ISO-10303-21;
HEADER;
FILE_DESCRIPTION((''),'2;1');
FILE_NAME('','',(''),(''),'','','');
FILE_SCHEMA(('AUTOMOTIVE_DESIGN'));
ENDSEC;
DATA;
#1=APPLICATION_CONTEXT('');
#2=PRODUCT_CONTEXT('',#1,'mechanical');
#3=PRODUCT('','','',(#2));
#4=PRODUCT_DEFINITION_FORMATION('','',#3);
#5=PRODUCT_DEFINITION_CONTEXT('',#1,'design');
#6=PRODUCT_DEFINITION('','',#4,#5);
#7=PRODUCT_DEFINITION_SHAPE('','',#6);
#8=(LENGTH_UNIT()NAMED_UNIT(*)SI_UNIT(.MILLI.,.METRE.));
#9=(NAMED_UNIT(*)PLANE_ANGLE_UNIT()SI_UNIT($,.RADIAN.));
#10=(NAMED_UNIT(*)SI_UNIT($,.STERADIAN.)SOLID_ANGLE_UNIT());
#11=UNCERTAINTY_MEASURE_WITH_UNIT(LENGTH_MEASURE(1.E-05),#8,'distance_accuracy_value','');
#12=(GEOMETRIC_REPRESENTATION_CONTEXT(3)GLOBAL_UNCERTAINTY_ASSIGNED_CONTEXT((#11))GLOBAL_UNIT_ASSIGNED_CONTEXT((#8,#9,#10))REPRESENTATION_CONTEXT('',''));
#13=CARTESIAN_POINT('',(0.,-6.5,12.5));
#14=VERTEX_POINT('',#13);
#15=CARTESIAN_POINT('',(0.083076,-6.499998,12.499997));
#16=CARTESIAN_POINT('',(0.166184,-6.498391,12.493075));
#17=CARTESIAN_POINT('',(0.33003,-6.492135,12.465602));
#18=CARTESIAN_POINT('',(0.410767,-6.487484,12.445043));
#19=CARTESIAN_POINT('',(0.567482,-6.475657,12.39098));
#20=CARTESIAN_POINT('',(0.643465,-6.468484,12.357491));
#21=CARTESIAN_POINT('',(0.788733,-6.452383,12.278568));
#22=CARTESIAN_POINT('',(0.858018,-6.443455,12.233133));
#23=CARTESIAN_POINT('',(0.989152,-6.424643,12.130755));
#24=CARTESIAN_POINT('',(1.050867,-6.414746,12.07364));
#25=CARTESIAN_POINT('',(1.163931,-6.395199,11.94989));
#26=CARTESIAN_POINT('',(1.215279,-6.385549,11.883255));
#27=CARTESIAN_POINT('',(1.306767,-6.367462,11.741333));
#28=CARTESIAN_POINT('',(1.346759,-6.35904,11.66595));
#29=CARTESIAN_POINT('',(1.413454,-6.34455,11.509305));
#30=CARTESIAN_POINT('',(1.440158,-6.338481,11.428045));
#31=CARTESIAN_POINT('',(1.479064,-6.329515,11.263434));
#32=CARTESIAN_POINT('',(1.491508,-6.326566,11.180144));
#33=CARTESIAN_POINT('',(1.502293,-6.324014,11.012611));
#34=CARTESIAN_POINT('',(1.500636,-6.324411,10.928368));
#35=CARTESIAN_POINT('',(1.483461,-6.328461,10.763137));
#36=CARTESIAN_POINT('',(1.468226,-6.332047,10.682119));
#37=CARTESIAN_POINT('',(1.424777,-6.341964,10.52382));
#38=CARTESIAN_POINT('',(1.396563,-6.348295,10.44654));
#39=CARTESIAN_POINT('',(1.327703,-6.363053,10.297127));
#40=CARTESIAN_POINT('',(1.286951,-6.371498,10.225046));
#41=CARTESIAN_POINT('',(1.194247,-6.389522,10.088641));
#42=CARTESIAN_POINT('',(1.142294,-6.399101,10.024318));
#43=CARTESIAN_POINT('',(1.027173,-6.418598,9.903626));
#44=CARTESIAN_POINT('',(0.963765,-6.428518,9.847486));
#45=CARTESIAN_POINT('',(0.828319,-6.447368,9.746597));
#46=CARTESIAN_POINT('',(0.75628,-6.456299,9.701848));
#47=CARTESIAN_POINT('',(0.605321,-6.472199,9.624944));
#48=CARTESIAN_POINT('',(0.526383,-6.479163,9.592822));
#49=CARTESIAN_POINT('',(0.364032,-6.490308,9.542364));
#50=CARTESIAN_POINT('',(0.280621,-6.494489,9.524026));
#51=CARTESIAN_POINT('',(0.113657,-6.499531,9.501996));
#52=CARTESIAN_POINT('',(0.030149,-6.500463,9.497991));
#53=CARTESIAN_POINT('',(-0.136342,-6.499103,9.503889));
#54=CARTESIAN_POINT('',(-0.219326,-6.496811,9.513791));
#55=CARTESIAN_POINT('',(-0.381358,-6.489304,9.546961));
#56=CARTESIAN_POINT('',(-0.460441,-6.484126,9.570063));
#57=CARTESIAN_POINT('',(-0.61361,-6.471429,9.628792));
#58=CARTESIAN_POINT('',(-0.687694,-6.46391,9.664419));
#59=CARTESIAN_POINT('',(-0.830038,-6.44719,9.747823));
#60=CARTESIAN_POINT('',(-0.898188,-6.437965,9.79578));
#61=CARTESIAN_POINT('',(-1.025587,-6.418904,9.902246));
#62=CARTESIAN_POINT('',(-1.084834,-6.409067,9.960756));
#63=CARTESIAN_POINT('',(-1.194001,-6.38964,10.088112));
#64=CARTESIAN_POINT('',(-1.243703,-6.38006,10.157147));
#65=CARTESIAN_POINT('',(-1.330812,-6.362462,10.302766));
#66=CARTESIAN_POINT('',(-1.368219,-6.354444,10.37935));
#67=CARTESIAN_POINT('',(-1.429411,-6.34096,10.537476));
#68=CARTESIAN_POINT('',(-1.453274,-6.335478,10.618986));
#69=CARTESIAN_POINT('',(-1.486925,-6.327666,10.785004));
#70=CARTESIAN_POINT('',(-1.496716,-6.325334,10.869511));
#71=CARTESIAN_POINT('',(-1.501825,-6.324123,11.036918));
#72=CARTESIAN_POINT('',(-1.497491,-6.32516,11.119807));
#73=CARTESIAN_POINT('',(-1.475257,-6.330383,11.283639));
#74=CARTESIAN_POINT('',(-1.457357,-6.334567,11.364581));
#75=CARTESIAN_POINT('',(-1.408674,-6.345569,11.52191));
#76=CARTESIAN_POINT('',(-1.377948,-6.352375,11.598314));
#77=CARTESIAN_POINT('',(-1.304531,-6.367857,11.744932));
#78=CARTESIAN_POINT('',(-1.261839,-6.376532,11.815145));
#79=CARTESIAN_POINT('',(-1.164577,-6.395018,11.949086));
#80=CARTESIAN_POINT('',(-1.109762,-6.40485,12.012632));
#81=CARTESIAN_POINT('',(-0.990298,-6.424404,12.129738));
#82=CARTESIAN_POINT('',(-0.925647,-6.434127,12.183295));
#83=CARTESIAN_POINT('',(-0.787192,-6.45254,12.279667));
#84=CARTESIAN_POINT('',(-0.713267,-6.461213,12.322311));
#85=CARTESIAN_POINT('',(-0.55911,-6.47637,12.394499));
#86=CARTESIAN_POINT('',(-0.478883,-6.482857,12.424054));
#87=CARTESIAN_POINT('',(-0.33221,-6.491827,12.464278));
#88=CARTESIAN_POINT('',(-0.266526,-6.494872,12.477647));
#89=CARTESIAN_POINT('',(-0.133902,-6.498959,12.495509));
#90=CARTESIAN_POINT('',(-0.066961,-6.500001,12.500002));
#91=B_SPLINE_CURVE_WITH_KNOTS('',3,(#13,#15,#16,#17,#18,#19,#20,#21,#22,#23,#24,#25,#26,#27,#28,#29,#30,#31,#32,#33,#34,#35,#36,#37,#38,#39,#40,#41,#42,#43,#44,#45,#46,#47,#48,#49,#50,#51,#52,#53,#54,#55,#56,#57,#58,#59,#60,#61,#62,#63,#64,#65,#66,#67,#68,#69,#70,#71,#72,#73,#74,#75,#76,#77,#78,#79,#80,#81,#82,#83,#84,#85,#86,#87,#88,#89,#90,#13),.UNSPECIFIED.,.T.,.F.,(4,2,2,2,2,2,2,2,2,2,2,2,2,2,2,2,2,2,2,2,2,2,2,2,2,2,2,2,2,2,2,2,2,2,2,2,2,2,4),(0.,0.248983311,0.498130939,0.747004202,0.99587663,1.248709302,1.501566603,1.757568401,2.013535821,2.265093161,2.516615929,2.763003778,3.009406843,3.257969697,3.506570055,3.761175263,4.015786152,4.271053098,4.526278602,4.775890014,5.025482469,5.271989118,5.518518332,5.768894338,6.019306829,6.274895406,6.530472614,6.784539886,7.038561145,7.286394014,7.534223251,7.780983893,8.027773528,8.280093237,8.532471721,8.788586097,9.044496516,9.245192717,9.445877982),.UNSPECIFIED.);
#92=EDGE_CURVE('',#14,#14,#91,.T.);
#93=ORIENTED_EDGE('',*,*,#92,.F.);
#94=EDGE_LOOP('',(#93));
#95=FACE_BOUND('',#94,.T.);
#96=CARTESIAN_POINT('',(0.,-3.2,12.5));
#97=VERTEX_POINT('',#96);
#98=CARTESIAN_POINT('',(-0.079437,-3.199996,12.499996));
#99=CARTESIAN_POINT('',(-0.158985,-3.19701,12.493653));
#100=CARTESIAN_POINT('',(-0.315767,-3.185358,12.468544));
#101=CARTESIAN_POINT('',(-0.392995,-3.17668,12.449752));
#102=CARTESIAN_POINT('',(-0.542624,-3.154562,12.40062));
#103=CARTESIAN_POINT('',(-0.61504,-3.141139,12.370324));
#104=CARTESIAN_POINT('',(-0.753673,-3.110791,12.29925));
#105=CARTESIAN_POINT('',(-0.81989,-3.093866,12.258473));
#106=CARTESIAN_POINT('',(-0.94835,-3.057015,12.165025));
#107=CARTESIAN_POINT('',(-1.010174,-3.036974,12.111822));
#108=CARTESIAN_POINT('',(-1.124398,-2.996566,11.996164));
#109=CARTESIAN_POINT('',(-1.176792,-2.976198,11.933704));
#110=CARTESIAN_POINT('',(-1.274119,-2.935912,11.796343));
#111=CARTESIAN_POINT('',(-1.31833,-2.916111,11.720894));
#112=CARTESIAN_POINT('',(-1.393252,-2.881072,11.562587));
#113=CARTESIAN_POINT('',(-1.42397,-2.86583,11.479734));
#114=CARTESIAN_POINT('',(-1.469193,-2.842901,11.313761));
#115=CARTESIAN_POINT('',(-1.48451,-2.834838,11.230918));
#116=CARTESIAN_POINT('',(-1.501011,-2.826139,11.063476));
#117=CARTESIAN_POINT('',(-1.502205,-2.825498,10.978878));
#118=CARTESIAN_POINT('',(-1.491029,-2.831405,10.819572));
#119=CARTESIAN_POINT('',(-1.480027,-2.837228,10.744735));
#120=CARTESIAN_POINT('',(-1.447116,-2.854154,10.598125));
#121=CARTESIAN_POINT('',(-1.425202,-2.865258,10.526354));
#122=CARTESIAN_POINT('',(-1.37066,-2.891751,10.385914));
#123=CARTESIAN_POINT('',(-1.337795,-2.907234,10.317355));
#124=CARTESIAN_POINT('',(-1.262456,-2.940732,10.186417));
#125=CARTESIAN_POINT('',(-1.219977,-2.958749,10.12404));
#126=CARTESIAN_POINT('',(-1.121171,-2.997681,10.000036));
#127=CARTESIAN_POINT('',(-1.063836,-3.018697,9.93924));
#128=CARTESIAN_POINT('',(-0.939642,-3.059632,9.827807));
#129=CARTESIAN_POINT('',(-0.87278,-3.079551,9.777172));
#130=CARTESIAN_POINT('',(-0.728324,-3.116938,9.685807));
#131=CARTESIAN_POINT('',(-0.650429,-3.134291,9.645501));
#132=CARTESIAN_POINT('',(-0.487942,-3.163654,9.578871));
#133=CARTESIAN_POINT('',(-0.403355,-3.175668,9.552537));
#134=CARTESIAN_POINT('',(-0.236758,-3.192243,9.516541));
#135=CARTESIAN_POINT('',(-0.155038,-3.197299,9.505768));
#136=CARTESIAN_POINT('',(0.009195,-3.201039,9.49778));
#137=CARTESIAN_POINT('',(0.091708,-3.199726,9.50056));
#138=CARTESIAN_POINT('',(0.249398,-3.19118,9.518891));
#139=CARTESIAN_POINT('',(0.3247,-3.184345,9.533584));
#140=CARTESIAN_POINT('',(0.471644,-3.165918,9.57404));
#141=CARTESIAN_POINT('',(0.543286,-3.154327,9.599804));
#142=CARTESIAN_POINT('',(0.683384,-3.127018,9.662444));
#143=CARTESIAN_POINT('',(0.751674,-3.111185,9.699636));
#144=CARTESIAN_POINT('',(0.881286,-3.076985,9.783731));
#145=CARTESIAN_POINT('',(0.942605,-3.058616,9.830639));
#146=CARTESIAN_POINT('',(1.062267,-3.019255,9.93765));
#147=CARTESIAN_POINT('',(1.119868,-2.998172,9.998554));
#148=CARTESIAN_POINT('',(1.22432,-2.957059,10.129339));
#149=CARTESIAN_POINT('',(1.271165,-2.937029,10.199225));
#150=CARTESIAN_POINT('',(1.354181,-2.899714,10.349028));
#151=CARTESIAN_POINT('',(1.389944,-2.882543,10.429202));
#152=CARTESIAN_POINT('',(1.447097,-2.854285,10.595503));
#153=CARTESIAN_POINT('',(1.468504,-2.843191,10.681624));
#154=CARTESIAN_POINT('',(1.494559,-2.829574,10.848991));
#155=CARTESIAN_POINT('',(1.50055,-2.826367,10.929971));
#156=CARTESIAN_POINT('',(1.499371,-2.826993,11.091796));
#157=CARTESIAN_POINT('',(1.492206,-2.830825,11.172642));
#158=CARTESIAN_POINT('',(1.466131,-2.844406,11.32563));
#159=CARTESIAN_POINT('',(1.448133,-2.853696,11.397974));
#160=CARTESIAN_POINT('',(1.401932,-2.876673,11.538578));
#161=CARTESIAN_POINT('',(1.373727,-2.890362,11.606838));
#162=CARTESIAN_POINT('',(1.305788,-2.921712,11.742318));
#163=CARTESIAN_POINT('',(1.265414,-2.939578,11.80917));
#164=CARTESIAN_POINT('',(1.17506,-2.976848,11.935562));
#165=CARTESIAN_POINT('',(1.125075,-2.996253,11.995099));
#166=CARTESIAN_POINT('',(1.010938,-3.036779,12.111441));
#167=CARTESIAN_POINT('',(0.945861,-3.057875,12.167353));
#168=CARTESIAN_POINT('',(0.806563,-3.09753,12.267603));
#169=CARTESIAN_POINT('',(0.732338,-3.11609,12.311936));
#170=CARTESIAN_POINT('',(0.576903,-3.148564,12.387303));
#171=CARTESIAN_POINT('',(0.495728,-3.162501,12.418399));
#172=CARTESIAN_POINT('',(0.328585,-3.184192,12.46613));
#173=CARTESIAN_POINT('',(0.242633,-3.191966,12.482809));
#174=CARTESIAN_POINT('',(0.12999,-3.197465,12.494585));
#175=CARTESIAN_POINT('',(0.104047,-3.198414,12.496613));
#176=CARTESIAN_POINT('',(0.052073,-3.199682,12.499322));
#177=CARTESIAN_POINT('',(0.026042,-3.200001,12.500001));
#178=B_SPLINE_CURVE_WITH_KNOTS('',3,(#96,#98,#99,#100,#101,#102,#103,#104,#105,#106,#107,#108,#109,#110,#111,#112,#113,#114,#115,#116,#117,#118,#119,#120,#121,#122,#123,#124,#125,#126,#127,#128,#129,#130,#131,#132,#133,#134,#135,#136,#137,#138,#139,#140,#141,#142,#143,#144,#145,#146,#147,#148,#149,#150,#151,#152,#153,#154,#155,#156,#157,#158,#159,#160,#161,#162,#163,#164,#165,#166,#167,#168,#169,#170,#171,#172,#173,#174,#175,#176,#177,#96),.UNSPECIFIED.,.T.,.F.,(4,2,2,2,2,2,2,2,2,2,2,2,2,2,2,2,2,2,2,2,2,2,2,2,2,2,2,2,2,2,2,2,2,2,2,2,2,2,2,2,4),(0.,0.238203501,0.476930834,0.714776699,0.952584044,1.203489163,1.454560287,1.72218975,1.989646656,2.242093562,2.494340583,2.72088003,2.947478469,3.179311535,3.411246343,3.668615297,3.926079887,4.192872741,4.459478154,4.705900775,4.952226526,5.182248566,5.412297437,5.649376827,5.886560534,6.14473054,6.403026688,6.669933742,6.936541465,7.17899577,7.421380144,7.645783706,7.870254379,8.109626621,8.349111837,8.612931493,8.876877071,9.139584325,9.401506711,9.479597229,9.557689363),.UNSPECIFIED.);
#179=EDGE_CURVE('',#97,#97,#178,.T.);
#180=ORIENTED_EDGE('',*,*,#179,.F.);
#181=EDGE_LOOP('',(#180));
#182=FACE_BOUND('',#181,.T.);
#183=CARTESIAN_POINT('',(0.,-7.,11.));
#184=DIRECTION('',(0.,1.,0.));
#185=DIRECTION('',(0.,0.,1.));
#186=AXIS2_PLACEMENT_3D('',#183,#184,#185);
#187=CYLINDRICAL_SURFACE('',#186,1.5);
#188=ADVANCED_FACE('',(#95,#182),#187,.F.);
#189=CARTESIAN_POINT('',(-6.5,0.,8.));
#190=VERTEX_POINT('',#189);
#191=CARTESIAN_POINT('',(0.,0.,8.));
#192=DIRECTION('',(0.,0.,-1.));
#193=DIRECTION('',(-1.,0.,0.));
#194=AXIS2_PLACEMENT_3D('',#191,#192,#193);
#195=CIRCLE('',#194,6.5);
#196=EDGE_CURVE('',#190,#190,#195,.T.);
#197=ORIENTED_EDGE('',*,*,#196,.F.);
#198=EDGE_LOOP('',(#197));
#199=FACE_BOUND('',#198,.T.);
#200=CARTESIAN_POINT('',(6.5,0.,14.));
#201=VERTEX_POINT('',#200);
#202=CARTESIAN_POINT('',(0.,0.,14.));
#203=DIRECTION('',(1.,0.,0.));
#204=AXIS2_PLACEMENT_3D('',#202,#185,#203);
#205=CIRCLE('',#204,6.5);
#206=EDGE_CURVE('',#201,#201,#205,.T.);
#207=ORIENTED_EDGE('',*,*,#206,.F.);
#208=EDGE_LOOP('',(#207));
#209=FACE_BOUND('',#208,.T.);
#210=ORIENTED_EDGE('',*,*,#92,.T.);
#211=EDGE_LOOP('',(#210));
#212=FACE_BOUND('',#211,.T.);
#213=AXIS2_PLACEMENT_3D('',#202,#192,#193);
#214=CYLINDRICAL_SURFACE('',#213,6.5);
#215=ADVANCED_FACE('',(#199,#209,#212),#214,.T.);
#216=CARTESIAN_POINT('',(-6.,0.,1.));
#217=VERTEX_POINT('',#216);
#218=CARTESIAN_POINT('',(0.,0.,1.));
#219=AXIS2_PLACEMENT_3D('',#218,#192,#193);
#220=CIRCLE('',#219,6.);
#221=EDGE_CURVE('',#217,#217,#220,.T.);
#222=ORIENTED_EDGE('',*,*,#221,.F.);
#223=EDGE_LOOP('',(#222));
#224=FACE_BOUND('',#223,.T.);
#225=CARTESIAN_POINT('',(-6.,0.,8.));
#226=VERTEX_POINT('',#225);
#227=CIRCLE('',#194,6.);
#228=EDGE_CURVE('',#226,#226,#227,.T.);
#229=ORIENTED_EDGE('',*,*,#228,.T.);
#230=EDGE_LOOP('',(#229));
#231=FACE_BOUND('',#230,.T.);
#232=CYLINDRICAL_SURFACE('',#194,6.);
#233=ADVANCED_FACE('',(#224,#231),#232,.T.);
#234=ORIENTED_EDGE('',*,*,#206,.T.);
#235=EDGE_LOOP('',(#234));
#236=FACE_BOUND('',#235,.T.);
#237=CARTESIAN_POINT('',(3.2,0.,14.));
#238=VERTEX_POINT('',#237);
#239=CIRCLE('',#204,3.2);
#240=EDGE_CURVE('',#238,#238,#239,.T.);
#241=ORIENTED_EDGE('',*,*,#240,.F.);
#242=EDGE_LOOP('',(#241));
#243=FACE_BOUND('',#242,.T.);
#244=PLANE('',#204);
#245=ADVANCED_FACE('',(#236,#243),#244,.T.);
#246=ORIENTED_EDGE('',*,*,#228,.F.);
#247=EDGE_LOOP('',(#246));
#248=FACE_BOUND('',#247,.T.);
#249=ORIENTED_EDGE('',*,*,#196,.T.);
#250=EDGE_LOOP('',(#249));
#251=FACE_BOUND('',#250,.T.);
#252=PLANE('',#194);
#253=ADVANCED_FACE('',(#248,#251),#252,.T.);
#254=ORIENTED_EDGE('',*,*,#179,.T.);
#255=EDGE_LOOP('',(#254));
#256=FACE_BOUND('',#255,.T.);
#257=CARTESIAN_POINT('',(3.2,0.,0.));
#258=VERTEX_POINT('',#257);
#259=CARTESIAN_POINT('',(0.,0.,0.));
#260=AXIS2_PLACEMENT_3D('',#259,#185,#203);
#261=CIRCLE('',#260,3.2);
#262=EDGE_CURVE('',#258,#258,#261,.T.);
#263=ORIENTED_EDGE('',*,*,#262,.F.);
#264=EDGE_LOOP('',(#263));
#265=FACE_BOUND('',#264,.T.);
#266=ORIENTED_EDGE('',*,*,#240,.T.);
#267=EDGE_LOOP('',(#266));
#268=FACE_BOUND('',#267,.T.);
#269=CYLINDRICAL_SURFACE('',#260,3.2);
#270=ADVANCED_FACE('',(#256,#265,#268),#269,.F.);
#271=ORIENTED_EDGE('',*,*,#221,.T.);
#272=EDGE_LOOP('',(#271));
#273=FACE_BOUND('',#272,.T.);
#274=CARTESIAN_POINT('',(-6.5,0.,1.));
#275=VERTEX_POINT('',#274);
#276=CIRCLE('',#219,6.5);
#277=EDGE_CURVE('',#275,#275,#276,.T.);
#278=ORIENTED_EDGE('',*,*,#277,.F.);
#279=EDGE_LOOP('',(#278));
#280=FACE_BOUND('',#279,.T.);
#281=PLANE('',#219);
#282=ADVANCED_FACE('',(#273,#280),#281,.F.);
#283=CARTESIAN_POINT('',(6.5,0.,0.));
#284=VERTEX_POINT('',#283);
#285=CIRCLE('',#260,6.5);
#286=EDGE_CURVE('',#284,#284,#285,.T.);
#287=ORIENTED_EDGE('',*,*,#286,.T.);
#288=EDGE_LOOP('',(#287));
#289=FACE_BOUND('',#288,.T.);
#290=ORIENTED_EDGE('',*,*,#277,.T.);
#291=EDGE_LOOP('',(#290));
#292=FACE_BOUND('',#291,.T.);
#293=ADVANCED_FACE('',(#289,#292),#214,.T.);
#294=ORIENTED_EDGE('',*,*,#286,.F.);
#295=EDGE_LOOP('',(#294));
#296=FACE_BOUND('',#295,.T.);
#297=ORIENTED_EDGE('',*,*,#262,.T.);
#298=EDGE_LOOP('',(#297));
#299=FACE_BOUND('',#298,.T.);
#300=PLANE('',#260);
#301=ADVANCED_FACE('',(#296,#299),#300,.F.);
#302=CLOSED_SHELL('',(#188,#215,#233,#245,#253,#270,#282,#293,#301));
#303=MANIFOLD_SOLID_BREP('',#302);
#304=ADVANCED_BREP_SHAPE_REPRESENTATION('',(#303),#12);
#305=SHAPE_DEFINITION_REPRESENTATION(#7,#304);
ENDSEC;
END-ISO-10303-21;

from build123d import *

# Parameters (mm, degrees)
SKETCH1_R           = 6.5
BOSS_EXTRUDE1_DEPTH = 14
SKETCH2_R           = 3.2
CUT_EXTRUDE1_DEPTH  = 17.748134224
SKETCH3_R           = 6.5
SKETCH3_R_2         = 6
CUT_EXTRUDE2_DEPTH  = 7
SKETCH4_R           = 1.5
CUT_EXTRUDE3_DEPTH  = 7


with BuildPart() as part:
    # Sketch1 → Boss-Extrude1 (new body)
    with BuildSketch(Plane.XY):
        Circle(SKETCH1_R)
    extrude(amount=BOSS_EXTRUDE1_DEPTH)

    # Sketch2 → Cut-Extrude1 (cut, through all)
    with BuildSketch(Plane.XY.offset(14)):
        Circle(SKETCH2_R)
    extrude(amount=-CUT_EXTRUDE1_DEPTH, mode=Mode.SUBTRACT)

    # Sketch3 → Cut-Extrude2 (cut)
    with BuildSketch(Plane(origin=(0, 0, 1), x_dir=(-1, 0, 0), z_dir=(0, 0, -1))):
        Circle(SKETCH3_R)
        Circle(SKETCH3_R_2, mode=Mode.SUBTRACT)
    extrude(amount=-CUT_EXTRUDE2_DEPTH, mode=Mode.SUBTRACT)

    # Sketch4 → Cut-Extrude3 (cut)
    with BuildSketch(Plane(origin=(0, 0, 0), x_dir=(1, 0, 0), z_dir=(0, 1, 0))):
        with Locations(Location((0, -11, 0), (0, 0, 270))):
            Circle(SKETCH4_R)
    extrude(amount=-CUT_EXTRUDE3_DEPTH, mode=Mode.SUBTRACT)


solid = part.part
